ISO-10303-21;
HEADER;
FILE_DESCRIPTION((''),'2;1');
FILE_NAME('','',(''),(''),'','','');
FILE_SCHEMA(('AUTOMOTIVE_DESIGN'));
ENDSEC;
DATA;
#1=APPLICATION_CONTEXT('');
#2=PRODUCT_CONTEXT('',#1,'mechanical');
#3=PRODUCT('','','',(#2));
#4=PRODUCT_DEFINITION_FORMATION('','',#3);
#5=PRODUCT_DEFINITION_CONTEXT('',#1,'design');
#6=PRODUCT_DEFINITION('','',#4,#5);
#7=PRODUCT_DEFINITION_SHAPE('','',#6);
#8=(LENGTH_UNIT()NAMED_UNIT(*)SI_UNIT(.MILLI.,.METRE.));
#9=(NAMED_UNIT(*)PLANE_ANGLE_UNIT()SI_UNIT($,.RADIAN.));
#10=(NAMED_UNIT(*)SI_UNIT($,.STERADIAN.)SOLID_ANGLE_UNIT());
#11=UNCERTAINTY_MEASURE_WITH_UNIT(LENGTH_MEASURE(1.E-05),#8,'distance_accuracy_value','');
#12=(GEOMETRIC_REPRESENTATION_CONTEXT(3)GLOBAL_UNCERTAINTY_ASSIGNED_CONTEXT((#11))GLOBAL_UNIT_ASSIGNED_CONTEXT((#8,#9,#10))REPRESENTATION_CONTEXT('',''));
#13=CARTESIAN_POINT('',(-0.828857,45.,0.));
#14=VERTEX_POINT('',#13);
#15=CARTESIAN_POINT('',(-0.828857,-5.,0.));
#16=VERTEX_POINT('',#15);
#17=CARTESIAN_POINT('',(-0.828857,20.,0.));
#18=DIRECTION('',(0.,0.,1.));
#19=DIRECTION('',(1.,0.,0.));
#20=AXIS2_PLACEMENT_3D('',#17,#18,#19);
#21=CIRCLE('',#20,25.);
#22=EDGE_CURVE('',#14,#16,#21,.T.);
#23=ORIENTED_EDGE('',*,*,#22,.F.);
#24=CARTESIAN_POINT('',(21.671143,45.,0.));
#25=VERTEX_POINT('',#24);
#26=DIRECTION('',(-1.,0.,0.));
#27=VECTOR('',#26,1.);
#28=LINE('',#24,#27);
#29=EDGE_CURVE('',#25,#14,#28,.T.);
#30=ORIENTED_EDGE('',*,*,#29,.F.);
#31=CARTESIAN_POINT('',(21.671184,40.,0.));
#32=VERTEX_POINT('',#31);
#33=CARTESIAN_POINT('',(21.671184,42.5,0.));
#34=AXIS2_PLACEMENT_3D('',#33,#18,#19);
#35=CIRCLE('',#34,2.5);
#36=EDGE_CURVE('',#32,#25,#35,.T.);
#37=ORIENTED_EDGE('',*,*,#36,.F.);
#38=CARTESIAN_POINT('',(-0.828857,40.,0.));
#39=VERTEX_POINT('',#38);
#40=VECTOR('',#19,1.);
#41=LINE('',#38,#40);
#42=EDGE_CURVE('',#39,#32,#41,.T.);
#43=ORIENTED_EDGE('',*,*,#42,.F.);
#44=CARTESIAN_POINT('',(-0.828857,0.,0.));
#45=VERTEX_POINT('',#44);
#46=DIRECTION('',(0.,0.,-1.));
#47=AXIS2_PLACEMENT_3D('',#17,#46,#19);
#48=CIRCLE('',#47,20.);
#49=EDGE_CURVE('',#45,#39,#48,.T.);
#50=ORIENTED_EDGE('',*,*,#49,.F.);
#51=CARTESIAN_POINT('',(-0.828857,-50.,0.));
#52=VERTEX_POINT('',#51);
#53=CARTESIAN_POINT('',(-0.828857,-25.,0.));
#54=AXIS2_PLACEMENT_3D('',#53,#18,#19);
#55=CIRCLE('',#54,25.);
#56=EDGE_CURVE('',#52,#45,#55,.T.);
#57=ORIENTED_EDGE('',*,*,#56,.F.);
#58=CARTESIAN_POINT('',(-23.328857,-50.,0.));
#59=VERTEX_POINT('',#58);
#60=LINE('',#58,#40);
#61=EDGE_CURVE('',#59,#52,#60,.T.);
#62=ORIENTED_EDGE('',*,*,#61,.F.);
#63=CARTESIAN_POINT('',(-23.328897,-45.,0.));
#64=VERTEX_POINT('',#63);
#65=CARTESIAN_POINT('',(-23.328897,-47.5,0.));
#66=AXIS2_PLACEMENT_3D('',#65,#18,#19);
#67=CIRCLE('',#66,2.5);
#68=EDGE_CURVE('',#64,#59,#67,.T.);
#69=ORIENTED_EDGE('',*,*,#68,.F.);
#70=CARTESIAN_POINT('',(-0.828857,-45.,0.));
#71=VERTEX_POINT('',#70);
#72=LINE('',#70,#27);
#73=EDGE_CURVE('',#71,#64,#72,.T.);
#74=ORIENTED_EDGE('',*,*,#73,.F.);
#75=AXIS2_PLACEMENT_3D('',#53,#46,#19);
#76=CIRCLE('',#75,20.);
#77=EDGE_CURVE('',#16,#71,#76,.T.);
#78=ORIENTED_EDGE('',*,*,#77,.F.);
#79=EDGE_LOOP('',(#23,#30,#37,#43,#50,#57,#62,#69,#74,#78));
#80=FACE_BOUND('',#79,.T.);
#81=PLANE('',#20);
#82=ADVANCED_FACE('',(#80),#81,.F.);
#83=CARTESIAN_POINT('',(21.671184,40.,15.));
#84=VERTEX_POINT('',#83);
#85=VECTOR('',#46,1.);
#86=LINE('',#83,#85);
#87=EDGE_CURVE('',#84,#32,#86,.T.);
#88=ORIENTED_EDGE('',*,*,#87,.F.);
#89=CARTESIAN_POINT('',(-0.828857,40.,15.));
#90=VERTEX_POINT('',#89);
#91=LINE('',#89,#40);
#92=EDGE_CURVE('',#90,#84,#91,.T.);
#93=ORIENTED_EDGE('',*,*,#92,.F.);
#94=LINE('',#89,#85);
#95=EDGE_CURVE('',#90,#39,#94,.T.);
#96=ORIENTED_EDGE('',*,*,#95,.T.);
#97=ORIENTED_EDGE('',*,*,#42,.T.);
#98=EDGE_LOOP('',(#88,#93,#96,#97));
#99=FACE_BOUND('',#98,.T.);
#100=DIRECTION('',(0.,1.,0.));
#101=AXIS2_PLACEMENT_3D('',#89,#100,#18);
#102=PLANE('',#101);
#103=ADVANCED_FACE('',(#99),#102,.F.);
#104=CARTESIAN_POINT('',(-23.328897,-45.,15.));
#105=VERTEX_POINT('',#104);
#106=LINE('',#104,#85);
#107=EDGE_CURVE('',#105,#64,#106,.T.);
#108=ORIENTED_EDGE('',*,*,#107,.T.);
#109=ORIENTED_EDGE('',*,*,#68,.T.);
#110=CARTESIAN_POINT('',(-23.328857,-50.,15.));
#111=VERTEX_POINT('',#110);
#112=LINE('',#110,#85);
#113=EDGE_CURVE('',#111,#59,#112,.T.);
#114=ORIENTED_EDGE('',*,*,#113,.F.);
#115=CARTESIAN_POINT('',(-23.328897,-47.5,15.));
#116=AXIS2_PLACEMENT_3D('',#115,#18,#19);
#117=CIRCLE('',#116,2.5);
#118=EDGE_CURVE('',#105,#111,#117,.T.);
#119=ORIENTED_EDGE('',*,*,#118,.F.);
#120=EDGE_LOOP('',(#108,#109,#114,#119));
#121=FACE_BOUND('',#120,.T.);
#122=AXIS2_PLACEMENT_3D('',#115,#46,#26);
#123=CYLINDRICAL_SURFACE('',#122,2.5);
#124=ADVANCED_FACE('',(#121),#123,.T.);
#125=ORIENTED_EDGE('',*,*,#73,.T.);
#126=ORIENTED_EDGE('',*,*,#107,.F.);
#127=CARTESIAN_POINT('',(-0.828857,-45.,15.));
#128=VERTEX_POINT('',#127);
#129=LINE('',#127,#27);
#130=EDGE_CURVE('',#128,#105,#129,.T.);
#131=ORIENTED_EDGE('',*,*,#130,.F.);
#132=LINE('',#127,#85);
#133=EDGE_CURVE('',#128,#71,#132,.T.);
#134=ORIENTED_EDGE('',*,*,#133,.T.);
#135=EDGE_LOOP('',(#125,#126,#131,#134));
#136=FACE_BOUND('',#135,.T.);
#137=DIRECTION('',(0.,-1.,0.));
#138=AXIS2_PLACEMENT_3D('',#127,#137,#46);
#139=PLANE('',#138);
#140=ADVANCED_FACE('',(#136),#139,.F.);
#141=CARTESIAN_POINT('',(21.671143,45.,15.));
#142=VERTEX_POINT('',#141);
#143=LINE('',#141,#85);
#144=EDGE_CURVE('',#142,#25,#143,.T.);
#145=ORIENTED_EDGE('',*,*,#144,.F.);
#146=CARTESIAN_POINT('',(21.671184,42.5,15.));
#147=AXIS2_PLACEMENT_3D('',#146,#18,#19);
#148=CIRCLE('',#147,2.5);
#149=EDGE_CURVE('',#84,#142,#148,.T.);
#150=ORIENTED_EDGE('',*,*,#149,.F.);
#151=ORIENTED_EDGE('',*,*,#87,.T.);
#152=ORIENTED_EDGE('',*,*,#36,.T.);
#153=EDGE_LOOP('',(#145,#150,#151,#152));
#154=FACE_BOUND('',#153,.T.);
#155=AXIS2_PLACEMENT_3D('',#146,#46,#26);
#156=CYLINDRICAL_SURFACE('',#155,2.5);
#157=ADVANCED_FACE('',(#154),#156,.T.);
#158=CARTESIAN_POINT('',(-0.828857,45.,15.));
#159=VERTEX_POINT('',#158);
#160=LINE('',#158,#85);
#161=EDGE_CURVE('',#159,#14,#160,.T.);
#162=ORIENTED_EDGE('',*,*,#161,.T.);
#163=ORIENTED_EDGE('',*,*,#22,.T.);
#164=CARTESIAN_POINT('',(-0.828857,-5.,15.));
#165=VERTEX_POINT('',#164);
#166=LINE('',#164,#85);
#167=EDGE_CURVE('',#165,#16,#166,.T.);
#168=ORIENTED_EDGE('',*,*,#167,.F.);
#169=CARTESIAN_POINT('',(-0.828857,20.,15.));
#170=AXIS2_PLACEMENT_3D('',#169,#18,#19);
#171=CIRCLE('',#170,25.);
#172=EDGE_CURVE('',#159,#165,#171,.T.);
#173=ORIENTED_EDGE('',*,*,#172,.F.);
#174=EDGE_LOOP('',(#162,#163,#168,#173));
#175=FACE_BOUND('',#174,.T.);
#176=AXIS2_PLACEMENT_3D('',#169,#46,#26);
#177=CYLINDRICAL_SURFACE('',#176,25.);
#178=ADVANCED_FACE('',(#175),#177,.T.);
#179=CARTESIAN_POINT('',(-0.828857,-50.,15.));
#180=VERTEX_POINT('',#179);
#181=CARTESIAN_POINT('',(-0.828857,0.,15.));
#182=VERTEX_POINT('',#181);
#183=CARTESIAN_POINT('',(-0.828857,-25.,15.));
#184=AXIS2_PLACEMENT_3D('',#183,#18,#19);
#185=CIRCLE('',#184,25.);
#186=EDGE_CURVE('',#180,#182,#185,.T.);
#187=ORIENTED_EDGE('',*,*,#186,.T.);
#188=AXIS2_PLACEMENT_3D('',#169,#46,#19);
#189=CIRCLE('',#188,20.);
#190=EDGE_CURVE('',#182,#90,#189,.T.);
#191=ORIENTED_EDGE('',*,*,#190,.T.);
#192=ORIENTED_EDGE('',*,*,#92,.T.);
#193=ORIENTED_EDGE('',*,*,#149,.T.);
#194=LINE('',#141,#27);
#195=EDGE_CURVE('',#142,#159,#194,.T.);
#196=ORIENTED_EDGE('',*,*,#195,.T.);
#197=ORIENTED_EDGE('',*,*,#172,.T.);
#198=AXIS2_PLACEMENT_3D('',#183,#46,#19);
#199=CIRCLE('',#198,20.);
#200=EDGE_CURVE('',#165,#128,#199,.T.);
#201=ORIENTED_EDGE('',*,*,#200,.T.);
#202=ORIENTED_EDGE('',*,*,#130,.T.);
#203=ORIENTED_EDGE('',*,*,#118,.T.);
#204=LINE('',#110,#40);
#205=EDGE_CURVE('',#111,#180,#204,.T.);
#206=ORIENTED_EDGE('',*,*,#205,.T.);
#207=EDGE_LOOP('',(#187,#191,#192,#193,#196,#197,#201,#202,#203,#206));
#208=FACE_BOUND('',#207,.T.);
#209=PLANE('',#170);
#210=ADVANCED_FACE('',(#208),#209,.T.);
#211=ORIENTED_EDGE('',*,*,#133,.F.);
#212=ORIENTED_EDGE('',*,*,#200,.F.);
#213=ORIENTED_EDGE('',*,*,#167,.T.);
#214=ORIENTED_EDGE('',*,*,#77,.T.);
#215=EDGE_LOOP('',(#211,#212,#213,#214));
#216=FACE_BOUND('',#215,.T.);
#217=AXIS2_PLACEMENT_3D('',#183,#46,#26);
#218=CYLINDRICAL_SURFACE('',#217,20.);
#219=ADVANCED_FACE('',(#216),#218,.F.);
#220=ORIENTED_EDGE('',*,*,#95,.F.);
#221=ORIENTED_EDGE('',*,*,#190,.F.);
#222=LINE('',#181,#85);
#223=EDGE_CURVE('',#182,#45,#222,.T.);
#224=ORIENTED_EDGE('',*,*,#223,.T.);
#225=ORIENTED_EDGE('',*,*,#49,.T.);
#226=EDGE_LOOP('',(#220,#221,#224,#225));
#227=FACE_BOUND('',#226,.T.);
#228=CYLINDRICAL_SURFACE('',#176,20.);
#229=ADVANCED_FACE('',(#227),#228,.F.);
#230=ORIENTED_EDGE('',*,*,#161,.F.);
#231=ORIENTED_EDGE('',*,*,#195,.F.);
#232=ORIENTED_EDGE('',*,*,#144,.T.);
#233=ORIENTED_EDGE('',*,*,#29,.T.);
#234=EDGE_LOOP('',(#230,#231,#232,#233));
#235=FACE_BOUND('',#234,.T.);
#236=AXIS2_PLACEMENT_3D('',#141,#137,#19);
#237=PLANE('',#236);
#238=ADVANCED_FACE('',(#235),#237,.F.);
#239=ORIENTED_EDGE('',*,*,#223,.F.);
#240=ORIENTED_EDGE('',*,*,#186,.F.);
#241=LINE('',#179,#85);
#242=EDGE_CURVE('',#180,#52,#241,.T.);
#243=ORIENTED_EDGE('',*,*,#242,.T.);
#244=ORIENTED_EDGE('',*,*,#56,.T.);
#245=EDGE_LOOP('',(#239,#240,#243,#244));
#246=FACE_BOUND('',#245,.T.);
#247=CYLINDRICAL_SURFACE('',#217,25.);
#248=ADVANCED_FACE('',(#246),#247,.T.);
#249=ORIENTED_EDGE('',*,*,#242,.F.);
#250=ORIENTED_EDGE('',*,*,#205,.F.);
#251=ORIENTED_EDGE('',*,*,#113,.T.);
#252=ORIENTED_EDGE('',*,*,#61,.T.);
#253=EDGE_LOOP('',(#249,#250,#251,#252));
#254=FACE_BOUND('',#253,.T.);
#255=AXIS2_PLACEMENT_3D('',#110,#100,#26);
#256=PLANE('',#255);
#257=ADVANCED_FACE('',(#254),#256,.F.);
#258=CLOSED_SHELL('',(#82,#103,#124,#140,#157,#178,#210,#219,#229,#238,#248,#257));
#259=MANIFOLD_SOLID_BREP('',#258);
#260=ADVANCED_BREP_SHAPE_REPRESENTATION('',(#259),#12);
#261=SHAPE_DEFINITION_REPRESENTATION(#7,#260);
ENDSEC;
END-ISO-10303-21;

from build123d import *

# Parameters (mm, degrees)
BOSS_EXTRUDE1_DEPTH = 15


with BuildPart() as part:
    # Sketch2 → Boss-Extrude1 (new body)
    with BuildSketch(Plane.XY):
        with BuildLine():
            Line((-0.828856516, 40), (21.671184182, 40))
            ThreePointArc((21.671184182, 40), (24.171184182, 42.500020349), (21.671143484, 45))
            Line((21.671143484, 45), (-0.828856516, 45))
            ThreePointArc((-0.828856516, 45), (-25.828856516, 20), (-0.828856516, -5))
            ThreePointArc((-0.828856516, -5), (19.171143484, -25), (-0.828856516, -45))
            Line((-0.828856516, -45), (-23.328897213, -45))
            ThreePointArc((-23.328897213, -45), (-25.828897214, -47.500020349), (-23.328856516, -50))
            Line((-23.328856516, -50), (-0.828856516, -50))
            ThreePointArc((-0.828856516, -50), (24.171143484, -25), (-0.828856516, 0))
            ThreePointArc((-0.828856516, 0), (-20.828856516, 20), (-0.828856516, 40))
        make_face()
    extrude(amount=BOSS_EXTRUDE1_DEPTH)


solid = part.part
